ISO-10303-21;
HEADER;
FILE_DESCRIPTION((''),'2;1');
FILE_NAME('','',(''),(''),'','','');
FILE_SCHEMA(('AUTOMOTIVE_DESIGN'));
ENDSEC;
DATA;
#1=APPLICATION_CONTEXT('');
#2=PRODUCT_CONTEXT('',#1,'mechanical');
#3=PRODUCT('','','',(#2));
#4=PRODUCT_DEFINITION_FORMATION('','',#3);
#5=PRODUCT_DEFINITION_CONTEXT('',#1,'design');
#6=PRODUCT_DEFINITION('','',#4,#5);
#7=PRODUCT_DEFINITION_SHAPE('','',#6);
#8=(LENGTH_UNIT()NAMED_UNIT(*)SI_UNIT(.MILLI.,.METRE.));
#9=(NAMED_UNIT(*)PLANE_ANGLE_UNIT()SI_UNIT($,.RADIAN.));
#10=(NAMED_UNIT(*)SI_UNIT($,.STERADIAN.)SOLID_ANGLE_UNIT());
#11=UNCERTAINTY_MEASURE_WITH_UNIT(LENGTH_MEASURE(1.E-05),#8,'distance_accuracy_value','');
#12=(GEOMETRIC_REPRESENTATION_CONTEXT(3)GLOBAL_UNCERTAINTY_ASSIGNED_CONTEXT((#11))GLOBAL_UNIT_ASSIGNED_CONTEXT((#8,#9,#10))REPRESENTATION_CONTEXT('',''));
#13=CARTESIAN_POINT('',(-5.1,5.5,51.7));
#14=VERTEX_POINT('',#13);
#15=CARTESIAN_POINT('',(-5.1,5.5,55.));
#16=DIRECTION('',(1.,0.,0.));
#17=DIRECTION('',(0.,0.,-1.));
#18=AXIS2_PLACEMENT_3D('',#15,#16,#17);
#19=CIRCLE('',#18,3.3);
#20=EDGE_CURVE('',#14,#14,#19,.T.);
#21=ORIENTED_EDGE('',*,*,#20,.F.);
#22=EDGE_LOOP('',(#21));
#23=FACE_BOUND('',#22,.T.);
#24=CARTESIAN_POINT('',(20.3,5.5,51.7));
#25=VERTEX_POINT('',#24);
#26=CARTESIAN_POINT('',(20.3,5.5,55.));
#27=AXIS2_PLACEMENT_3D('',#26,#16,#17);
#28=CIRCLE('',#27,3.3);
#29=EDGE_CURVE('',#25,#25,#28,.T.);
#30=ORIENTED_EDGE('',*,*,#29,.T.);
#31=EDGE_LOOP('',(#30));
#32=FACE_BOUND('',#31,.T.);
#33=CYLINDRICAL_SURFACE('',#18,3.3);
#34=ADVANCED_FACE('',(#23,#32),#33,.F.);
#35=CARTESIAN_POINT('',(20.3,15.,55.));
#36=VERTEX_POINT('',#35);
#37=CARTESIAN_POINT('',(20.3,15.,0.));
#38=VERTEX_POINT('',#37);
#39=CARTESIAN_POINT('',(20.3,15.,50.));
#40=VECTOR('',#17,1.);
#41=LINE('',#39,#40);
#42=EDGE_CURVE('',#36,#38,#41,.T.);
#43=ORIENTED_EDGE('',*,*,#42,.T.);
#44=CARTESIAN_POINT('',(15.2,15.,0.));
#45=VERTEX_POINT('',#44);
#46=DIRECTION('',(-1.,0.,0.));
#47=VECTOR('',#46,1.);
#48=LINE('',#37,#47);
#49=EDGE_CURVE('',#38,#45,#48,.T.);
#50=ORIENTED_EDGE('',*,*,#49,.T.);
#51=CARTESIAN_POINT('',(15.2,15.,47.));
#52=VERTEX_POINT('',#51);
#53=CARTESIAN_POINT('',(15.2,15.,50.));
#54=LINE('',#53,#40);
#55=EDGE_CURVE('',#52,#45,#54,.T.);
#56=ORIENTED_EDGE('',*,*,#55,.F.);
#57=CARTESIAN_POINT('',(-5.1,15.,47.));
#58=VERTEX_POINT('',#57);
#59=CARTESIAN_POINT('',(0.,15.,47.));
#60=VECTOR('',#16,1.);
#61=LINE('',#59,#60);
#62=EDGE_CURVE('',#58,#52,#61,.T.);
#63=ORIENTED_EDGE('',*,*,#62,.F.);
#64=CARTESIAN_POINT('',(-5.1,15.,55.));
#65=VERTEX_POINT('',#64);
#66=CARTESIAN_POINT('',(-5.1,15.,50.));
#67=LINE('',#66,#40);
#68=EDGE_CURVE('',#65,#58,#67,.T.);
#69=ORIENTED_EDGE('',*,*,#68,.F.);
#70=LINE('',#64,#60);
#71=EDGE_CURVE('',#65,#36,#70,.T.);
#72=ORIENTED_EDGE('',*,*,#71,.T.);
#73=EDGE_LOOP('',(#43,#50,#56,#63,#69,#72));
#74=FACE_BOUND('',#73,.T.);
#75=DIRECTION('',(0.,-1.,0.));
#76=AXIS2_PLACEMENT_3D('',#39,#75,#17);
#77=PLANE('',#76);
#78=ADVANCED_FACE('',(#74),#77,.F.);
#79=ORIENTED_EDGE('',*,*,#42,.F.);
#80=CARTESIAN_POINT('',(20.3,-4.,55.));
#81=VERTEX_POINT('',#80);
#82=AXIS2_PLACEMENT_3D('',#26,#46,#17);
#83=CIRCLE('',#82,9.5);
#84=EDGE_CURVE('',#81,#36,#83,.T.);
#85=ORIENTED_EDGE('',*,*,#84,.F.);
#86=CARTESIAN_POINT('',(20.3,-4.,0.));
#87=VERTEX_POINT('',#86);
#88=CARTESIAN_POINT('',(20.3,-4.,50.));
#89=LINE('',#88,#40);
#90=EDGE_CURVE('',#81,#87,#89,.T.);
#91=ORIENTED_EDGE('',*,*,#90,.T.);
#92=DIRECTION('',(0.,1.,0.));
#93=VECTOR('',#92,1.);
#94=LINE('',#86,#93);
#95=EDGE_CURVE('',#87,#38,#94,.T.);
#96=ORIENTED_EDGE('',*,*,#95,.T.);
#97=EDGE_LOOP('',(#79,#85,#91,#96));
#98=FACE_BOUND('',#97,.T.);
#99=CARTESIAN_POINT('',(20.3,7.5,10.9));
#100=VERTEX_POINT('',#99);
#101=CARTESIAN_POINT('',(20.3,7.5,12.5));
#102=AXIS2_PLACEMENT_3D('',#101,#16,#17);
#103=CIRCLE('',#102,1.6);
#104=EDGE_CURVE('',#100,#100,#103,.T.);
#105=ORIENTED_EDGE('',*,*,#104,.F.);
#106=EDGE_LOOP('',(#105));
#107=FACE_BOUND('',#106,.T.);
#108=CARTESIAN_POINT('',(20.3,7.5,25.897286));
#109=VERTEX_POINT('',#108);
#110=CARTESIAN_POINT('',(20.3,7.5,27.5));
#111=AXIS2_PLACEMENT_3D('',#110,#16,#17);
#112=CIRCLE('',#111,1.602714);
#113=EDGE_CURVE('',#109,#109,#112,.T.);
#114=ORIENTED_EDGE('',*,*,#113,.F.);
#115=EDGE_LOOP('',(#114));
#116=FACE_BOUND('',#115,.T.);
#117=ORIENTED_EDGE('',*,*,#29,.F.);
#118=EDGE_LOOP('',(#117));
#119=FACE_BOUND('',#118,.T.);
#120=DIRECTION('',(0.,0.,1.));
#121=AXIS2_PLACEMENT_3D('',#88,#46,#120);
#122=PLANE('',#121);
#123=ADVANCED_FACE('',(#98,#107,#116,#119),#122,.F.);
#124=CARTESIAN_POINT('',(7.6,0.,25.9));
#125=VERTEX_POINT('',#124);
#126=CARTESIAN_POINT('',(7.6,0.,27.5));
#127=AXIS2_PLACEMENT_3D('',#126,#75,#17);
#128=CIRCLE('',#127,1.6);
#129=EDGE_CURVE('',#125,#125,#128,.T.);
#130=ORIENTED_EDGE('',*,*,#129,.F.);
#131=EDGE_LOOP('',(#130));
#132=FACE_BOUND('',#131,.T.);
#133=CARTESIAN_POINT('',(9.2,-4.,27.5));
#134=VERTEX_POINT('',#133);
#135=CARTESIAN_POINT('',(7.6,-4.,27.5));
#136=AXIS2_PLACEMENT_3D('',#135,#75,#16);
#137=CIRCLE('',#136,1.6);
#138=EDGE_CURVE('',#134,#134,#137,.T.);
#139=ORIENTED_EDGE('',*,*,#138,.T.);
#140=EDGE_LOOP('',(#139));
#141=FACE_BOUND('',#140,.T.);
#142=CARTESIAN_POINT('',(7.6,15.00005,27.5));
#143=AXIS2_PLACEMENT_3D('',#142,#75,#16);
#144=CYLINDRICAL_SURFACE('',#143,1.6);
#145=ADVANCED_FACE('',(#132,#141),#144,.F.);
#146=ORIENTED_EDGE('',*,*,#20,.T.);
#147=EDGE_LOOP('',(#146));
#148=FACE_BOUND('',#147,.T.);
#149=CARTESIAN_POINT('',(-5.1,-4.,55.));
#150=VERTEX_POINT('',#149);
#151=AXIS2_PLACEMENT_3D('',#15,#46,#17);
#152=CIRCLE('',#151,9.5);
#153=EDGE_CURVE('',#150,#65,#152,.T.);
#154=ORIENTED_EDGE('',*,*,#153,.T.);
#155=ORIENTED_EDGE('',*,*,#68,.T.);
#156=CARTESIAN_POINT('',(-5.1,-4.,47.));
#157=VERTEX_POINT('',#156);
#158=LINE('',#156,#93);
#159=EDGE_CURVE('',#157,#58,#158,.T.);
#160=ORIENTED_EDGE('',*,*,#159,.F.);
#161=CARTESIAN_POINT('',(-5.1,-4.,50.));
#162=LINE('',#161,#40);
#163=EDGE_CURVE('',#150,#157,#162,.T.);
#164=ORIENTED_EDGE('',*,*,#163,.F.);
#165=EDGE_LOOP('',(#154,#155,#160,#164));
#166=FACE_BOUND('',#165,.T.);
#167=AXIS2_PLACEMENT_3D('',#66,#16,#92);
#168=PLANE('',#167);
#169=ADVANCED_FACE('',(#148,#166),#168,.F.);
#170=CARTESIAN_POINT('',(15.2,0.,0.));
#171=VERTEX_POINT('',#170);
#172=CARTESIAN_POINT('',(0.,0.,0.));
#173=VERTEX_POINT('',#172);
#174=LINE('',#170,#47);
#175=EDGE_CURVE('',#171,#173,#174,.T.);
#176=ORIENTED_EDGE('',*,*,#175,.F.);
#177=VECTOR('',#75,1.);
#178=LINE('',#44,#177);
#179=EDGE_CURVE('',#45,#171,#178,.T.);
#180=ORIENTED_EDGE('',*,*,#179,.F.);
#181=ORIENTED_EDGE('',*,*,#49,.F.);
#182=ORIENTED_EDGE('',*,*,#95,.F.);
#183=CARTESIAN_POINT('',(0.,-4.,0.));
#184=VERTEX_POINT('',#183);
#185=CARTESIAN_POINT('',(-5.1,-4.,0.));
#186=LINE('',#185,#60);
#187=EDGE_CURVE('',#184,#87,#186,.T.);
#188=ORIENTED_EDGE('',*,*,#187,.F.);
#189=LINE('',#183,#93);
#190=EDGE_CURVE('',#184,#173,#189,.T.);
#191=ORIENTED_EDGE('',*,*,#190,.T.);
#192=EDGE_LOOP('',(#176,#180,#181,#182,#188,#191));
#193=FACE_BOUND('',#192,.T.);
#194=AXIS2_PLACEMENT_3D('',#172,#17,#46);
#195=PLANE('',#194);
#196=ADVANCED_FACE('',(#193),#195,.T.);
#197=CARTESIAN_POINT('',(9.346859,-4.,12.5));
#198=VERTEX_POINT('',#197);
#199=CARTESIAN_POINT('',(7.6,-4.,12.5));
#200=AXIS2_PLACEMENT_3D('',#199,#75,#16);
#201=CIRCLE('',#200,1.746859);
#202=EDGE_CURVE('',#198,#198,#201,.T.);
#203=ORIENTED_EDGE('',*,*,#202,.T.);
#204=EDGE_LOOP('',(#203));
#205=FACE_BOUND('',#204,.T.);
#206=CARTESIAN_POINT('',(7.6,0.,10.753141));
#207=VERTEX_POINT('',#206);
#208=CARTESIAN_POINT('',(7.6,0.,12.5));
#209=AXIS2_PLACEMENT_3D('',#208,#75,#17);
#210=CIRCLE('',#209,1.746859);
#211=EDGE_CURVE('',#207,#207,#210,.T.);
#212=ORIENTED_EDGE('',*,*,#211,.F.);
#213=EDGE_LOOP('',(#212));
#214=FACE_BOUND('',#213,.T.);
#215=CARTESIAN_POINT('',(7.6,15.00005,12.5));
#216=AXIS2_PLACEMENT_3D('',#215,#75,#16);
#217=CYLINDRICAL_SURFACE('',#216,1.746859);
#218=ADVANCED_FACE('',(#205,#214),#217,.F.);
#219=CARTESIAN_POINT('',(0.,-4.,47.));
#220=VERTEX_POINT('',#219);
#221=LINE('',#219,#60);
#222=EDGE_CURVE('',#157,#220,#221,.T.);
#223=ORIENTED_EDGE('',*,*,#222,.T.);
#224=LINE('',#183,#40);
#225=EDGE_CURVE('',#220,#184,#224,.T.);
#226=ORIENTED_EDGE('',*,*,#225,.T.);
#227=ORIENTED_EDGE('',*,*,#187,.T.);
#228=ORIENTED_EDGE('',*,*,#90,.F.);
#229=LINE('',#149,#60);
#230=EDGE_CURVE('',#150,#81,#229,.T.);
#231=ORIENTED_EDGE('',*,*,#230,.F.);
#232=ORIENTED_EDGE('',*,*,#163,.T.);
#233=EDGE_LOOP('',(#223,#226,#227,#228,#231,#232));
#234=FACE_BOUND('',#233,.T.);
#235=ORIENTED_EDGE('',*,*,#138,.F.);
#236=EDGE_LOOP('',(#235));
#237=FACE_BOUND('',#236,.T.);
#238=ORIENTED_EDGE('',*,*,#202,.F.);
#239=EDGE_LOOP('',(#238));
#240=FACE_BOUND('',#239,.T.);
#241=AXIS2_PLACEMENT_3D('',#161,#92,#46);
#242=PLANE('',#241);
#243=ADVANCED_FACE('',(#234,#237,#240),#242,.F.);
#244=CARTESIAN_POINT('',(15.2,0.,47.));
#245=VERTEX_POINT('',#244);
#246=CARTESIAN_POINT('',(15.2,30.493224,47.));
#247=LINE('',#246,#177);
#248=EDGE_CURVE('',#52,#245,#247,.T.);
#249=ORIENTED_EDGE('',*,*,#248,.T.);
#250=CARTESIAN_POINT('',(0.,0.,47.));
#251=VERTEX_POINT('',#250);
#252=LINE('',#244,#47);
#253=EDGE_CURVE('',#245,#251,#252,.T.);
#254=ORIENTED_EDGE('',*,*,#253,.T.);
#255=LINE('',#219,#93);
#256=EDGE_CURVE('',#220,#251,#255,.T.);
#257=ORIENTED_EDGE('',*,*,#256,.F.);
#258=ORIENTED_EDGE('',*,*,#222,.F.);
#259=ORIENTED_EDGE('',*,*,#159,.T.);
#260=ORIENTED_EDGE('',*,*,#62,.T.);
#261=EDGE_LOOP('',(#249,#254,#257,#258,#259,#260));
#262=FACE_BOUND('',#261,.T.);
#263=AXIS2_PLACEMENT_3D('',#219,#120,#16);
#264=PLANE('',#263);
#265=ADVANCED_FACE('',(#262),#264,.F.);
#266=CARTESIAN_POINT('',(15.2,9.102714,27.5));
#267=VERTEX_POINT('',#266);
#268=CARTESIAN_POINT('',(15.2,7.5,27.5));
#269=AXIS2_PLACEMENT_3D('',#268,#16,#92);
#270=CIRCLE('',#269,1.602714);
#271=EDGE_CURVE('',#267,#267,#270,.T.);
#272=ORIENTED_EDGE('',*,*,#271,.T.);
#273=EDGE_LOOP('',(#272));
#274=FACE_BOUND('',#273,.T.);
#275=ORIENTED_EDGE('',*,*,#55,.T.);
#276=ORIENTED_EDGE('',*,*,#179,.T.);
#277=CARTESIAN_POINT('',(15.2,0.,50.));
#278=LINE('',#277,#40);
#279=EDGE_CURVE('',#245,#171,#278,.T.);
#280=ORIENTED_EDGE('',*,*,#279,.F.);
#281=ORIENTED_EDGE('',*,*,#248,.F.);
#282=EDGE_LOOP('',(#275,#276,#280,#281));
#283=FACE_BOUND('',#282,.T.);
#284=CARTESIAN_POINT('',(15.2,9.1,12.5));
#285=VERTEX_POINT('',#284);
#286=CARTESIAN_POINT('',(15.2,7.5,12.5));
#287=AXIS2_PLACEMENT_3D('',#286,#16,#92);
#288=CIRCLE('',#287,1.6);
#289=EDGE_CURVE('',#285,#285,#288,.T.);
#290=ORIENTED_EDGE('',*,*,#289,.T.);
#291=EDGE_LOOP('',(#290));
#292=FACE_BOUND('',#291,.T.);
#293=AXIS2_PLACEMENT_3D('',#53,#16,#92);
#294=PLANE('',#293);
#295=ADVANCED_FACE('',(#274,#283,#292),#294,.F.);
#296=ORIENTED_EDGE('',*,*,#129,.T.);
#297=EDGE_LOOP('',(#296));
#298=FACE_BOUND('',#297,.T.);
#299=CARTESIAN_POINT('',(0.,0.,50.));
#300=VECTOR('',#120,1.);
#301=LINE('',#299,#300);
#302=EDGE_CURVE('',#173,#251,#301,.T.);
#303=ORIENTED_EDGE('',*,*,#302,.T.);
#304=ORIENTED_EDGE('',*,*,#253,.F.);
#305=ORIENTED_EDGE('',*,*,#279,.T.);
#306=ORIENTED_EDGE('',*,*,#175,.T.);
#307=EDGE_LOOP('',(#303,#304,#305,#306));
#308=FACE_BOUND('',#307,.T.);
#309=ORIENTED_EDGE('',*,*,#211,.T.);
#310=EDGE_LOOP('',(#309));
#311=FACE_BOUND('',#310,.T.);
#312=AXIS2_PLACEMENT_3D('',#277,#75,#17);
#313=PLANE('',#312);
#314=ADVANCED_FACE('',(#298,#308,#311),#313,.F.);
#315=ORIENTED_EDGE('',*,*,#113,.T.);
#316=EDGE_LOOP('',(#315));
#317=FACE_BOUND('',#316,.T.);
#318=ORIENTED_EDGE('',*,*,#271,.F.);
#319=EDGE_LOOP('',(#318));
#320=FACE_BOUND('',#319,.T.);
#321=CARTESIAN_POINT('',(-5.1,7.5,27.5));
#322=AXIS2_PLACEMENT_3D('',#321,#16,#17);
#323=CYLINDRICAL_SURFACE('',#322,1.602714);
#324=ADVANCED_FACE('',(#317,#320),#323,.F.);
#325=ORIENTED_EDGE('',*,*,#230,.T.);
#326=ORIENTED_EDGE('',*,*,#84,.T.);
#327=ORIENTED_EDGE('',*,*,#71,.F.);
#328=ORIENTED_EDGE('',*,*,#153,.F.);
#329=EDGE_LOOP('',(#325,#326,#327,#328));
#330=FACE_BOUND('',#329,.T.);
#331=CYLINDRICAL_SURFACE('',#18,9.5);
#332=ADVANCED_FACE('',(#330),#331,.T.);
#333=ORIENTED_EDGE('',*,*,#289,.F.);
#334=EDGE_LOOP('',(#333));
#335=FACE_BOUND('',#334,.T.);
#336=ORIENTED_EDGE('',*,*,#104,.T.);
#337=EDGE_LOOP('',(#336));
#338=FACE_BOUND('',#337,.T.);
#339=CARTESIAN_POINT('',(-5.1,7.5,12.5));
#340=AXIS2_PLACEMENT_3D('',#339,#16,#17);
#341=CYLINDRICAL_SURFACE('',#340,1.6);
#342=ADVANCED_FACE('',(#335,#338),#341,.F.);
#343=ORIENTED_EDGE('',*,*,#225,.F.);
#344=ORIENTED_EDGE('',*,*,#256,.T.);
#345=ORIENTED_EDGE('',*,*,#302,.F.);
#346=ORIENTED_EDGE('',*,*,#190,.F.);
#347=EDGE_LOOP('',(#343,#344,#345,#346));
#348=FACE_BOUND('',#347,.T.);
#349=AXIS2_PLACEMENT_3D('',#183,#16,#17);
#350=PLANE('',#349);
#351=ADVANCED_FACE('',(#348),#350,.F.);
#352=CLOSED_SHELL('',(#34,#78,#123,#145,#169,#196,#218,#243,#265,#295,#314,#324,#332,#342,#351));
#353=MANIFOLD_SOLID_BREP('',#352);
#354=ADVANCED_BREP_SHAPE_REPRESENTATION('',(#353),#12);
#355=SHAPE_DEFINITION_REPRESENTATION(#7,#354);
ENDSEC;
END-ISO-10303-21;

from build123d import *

# Parameters (mm, degrees)
BOSS_EXTRUDE1_DEPTH = 50
SKETCH2_W           = 25.4
SKETCH2_H           = 19
BOSS_EXTRUDE2_DEPTH = 25.4
SKETCH3_R           = 3.3
CUT_EXTRUDE1_DEPTH  = 25.4
SKETCH4_R           = 1.6
SKETCH4_R_2         = 1.60271378
CUT_EXTRUDE2_DEPTH  = 25.4
SKETCH5_R           = 1.746858549
SKETCH5_R_2         = 1.6
CUT_EXTRUDE3_DEPTH  = 20
SKETCH6_W           = 5.1
SKETCH6_H           = 47
CUT_EXTRUDE4_DEPTH  = 20
SKETCH7_W           = 15.2
SKETCH7_H           = 3
BOSS_EXTRUDE3_DEPTH = 15


with BuildPart() as part:
    # Sketch1 → Boss-Extrude1 (new body)
    with BuildSketch(Plane.XY):
        Polygon((0, 0), (0, 15), (-5.1, 15), (-5.1, -4), (20.3, -4), (20.3, 15), (15.2, 15), (15.2, 0), align=None)
    extrude(amount=BOSS_EXTRUDE1_DEPTH)

    # Sketch2 → Boss-Extrude2 (add)
    with BuildSketch(Plane.XY.offset(50)):
        with Locations((7.6, 5.5)):
            Rectangle(SKETCH2_W, SKETCH2_H)
    extrude(amount=BOSS_EXTRUDE2_DEPTH)

    # Sketch3 → Cut-Extrude1 (cut)
    with BuildSketch(Plane(origin=(20.3, 0, 0), x_dir=(0, 0, -1), z_dir=(1, 0, 0))):
        with Locations((-55, 5.5)):
            Circle(SKETCH3_R)
        with BuildLine():
            Line((-55, -4), (-75.4, -4))
            Line((-75.4, -4), (-75.4, 15))
            Line((-75.4, 15), (-55, 15))
            ThreePointArc((-55, 15), (-64.5, 5.5), (-55, -4))
        make_face()
    extrude(amount=-CUT_EXTRUDE1_DEPTH, mode=Mode.SUBTRACT)

    # Sketch4 → Cut-Extrude2 (cut)
    with BuildSketch(Plane(origin=(20.3, 0, 0), x_dir=(0, 0, -1), z_dir=(1, 0, 0))):
        with Locations((-12.5, 7.5)):
            Circle(SKETCH4_R)
        with Locations((-27.5, 7.5)):
            Circle(SKETCH4_R_2)
    extrude(amount=-CUT_EXTRUDE2_DEPTH, mode=Mode.SUBTRACT)

    # Sketch5 → Cut-Extrude3 (cut, through all)
    with BuildSketch(Plane.XZ.offset(4)):
        with Locations((7.6, 12.5)):
            Circle(SKETCH5_R)
        with Locations((7.6, 27.5)):
            Circle(SKETCH5_R_2)
    extrude(amount=-CUT_EXTRUDE3_DEPTH, mode=Mode.SUBTRACT)

    # Sketch6 → Cut-Extrude4 (cut, through all)
    with BuildSketch(Plane(origin=(0, 15, 0), x_dir=(1, 0, 0), z_dir=(0, 1, 0))):
        with Locations((-2.55, -23.5)):
            Rectangle(SKETCH6_W, SKETCH6_H)
    extrude(amount=-CUT_EXTRUDE4_DEPTH, mode=Mode.SUBTRACT)

    # Sketch7 → Boss-Extrude3 (add)
    with BuildSketch(Plane(origin=(0, 0, 0), x_dir=(1, 0, 0), z_dir=(0, 1, 0))):
        with Locations((7.6, -48.5)):
            Rectangle(SKETCH7_W, SKETCH7_H)
    extrude(amount=BOSS_EXTRUDE3_DEPTH)


solid = part.part
